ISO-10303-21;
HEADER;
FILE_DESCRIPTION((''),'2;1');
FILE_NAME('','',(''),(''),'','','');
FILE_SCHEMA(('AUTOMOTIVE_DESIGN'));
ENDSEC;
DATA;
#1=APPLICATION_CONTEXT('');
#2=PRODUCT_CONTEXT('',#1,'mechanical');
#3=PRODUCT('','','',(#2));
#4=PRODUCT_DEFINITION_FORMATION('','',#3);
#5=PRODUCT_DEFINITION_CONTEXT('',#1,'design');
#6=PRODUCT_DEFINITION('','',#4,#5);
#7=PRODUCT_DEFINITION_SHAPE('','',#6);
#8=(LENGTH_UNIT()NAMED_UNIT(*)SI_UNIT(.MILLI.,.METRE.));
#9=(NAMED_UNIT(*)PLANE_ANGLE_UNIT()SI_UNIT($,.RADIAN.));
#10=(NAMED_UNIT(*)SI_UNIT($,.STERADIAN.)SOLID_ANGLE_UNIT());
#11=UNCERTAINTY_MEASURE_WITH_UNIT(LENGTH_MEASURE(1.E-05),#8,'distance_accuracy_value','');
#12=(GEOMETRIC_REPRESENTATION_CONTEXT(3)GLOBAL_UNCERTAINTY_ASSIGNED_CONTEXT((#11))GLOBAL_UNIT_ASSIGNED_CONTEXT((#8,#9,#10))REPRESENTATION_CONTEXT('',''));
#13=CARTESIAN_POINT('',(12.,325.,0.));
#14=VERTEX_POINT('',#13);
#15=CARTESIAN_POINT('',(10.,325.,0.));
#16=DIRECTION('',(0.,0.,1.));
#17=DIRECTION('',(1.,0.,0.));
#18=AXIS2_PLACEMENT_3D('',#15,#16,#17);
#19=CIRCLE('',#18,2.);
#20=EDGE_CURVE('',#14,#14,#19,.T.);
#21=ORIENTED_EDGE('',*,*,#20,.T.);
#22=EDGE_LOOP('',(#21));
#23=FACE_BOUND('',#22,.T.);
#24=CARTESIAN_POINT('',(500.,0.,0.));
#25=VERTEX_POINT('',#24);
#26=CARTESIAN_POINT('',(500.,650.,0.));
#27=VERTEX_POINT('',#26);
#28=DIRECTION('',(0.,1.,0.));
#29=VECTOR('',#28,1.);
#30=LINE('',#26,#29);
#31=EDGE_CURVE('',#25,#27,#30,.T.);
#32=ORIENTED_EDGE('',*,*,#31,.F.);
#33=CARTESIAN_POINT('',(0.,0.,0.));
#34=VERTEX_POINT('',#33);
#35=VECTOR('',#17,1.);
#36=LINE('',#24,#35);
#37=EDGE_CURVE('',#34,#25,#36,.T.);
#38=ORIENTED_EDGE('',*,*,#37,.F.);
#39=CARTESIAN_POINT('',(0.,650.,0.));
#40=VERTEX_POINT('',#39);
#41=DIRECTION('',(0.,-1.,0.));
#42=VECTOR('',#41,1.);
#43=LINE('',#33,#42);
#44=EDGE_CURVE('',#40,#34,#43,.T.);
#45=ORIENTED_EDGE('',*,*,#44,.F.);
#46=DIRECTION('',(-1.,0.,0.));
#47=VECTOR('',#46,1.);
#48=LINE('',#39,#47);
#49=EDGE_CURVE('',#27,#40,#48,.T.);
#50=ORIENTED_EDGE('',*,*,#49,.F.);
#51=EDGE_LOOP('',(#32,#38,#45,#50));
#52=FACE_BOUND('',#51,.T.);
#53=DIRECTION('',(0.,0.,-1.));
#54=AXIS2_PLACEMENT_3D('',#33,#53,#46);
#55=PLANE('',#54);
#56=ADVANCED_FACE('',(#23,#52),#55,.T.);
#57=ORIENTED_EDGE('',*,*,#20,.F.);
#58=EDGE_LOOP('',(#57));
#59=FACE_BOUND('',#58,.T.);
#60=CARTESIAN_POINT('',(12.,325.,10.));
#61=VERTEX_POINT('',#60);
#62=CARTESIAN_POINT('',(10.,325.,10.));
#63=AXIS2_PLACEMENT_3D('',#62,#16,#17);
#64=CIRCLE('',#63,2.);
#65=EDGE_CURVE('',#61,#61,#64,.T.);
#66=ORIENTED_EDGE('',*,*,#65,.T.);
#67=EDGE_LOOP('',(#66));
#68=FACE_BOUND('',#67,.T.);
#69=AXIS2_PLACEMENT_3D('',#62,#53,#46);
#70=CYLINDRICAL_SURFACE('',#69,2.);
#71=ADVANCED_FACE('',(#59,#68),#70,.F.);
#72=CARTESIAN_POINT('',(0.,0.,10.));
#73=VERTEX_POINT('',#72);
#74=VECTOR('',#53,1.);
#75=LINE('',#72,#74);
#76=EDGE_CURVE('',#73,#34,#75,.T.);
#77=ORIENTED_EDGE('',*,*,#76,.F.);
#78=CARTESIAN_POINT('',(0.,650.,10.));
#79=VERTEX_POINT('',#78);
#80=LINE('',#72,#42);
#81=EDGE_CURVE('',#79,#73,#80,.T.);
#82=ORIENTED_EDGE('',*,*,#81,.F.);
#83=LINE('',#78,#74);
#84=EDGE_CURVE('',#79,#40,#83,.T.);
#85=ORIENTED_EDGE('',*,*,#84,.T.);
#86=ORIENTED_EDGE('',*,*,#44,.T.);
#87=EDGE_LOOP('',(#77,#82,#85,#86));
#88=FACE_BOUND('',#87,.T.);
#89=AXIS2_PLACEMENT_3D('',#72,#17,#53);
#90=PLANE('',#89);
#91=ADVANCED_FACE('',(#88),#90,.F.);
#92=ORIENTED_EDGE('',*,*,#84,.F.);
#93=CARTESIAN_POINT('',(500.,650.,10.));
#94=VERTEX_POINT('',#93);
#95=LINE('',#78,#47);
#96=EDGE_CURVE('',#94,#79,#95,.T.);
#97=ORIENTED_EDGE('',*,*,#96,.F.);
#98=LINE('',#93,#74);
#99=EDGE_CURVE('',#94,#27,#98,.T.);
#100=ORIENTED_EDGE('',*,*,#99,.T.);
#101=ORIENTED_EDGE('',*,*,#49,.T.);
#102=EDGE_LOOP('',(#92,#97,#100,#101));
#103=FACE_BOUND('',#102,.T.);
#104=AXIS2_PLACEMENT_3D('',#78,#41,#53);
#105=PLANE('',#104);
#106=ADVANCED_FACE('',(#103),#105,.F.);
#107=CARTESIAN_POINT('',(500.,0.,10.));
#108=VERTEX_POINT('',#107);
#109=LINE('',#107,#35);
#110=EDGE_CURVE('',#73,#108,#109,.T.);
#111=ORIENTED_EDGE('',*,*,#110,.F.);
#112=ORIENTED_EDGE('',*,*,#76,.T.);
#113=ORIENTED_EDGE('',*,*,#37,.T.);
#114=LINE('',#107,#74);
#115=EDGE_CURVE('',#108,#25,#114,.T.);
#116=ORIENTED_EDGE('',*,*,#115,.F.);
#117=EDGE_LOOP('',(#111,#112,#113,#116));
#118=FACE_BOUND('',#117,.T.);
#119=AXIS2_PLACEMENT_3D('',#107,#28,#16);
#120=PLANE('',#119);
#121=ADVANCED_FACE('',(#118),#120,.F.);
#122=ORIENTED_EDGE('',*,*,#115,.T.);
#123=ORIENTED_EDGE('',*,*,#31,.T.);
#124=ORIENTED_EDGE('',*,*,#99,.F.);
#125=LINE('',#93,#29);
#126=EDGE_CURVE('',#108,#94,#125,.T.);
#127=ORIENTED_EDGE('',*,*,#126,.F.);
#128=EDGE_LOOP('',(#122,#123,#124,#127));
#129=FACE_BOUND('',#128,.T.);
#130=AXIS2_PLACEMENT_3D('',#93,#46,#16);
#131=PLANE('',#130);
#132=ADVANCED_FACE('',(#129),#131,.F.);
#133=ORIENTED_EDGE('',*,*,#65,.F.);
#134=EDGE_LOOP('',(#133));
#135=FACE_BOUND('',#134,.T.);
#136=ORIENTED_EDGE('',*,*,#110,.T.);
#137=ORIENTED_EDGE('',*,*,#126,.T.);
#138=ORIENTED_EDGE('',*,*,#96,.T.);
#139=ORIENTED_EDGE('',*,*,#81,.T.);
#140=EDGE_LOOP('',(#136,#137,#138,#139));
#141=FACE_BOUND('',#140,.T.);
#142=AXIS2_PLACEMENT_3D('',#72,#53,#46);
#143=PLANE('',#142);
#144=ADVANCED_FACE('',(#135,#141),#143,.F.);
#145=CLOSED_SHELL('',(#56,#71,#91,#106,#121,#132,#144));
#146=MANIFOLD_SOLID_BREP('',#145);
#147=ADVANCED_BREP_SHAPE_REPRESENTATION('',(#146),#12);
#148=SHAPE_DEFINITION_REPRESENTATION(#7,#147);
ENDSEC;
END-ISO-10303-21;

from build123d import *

# Parameters (mm, degrees)
SKETCH_1_W      = 500
SKETCH_1_H      = 650
SKETCH_1_R      = 2
EXTRUDE_1_DEPTH = 10


with BuildPart() as part:
    # 草图1 → 凸台-拉伸1 (new body)
    with BuildSketch(Plane.XY):
        with Locations((250, 325)):
            Rectangle(SKETCH_1_W, SKETCH_1_H)
        with Locations((10, 325)):
            Circle(SKETCH_1_R, mode=Mode.SUBTRACT)
    extrude(amount=EXTRUDE_1_DEPTH)


solid = part.part
